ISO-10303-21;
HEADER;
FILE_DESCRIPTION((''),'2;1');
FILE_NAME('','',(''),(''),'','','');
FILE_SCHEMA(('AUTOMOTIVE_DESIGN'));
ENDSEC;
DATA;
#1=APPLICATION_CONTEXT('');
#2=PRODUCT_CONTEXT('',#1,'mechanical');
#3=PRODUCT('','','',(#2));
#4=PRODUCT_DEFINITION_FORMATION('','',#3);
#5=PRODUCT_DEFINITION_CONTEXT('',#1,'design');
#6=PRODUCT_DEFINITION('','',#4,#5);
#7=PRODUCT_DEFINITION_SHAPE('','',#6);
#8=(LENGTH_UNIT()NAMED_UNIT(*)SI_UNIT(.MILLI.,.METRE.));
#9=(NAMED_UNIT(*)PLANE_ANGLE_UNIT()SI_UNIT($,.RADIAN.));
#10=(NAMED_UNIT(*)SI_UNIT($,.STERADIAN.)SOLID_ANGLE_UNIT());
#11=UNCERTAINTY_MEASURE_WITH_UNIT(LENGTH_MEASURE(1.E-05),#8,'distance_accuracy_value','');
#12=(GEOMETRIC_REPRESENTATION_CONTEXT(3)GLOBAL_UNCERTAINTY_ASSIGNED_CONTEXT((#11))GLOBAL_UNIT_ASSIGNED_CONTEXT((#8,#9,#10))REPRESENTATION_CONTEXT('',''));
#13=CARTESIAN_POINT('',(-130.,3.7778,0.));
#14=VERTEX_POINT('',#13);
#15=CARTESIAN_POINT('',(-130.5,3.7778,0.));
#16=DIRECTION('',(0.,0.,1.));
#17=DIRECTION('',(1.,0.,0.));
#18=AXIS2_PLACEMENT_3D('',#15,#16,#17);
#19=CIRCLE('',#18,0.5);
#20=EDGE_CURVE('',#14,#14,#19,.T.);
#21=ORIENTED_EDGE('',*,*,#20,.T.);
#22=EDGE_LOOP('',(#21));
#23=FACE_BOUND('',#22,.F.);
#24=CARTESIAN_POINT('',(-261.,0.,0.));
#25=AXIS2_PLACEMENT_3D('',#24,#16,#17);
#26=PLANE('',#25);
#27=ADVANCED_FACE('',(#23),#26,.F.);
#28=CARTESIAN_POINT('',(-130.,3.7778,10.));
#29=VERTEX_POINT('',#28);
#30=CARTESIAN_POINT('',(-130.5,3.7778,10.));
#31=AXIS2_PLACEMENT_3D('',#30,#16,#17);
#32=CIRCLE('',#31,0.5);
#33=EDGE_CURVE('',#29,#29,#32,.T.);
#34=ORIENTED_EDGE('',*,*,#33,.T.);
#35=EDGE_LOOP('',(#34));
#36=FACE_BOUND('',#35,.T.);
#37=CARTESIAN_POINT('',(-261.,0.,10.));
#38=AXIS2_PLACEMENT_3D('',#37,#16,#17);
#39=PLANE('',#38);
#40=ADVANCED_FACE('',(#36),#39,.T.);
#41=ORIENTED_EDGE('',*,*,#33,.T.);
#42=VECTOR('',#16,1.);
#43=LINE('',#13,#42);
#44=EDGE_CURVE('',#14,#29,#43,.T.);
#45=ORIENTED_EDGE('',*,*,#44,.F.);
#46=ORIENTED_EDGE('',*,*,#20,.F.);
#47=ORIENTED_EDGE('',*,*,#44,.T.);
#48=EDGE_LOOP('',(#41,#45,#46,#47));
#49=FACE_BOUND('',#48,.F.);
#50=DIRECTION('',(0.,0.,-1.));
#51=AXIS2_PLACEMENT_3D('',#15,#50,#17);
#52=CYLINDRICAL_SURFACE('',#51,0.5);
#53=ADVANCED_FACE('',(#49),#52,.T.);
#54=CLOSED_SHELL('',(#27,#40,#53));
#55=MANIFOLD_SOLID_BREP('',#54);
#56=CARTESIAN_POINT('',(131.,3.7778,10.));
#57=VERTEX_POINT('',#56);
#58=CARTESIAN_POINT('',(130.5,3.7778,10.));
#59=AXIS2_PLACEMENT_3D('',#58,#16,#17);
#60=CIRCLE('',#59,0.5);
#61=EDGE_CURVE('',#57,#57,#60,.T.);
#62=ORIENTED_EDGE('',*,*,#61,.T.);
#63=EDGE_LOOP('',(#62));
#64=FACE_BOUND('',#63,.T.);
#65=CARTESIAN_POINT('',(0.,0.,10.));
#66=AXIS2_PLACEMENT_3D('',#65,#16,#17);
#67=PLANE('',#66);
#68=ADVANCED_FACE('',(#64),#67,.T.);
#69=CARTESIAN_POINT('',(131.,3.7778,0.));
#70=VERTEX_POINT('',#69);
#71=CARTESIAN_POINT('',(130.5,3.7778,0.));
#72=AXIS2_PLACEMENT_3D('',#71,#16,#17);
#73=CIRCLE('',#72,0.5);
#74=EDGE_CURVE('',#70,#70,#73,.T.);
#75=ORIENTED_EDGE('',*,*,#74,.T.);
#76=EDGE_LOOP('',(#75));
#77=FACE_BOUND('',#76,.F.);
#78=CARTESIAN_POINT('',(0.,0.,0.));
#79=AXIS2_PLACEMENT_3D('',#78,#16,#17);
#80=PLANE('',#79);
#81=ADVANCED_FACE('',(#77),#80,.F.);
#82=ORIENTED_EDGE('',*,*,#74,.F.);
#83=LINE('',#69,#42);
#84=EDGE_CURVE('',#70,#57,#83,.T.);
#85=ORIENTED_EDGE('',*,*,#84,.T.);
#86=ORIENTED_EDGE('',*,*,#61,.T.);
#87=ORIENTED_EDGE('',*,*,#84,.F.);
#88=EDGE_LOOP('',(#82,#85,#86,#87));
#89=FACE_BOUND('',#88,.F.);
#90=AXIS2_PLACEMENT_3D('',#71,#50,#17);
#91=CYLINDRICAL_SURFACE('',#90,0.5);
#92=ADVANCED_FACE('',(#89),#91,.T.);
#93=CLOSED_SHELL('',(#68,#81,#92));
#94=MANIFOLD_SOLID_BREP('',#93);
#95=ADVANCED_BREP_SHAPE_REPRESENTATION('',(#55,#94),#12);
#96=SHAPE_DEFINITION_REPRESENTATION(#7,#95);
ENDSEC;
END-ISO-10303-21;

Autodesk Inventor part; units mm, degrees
ref_plane "YZ Plane" through (0, 0, 0) normal (1, 0, 0) x (0, 1, 0)
ref_plane "XZ Plane" through (0, 0, 0) normal (0, 1, 0) x (-1, 0, 0)
ref_plane "XY Plane" through (0, 0, 0) normal (0, 0, 1) x (1, 0, 0)
sketch "Sketch1" plane through (0, 0, 0) normal (0, 0, 1) x (1, 0, 0)
  line L0 (-190.5, -10.9695) -> (190.5, -10.9695)
  line L1 (190.5, -10.9695) -> (190.5, 10.9695)
  line L2 (190.5, 10.9695) -> (-190.5, 10.9695)
  line L3 (-190.5, 10.9695) -> (-190.5, -10.9695)
  line L4 (-190.5, -10.9695) -> (190.5, 10.9695) construction
  line L5 (190.5, -10.9695) -> (-190.5, 10.9695) construction
  point P0 (0, 0)
  dimension "d0" = 381
  dimension "d1" = 21.939
sketch "Lamello" plane through (0, 0, 0) normal (0, 0, 1) x (1, 0, 0)
  line L0 (48.383, 141.1858) -> (42.783, 141.1858)
  line L1 (40.583, 139.6858) -> (40.583, 114.6858)
  line L2 (42.783, 113.1858) -> (48.383, 113.1858)
  line L3 (50.583, 114.6858) -> (50.583, 139.6858)
  line L4 (50.583, 139.6858) -> (48.383, 141.1858)
  line L5 (40.583, 139.6858) -> (42.783, 141.1858)
  line L6 (40.583, 114.6858) -> (42.783, 113.1858)
  line L7 (50.583, 114.6858) -> (48.383, 113.1858)
  line L8 (50.583, 127.1858) -> (40.583, 127.1858)
  line L9 (45.583, 141.1858) -> (45.583, 113.1858)
  point P0 (45.583, 127.1858)
  point P1 (50.583, 141.1858)
  point P2 (40.583, 113.1858)
  point P3 (40.583, 141.1858)
  point P4 (50.583, 113.1858)
  dimension "d54" = 10
  dimension "d55" = 28
  dimension "d56" = 1.5
  dimension "d57" = 2.2
  dimension "d58" = 1.5
  dimension "d59" = 2.2
  dimension "d60" = 1.5
  dimension "d61" = 2.2
  dimension "d62" = 1.5
  dimension "d63" = 2.2
sketch "Sketch2" plane through (0, 0, 0) normal (0, 0, 1) x (1, 0, 0)
  circle A0 centre (130.5, 3.7778) radius 0.5
  line L0 (190.5, 10.9695) -> (-190.5, 10.9695) projected
  line L1 (-190.5, -10.9695) -> (190.5, -10.9695) projected
  line L2 (0, -145.0303) -> (0, 106.9697) projected
  line L3 (190.5, -10.9695) -> (190.5, 10.9695) projected
  point P0 (0, 0)
  dimension "d4" = 1
  dimension "d50" = 7.1917
  dimension "d70" = 60
extrude "Extrusion1" add sketch "Sketch2" along normal blind 10 contours A0
pattern_linear "Clamex Array" count 2 spacing 261 along (-1, 0, 0) of "Extrusion1"
sketch "Edge-Side Connection" plane through (0, 0, 0) normal (1, 0, 0) x (0, 1, 0)
  line L0 (-50, 0) -> (50, 0)
  line L1 (50, 0) -> (50, 19)
  line L2 (50, 19) -> (-50, 19)
  line L3 (-50, 19) -> (-50, 0)
  line L4 (-10.9695, 0) -> (-34.0635, -40)
  line L5 (-34.0635, -40) -> (-12.1245, -40)
  line L6 (-12.1245, -40) -> (10.9695, 0)
  line L7 (-2.9208, -14) -> (-2.9208, 14) construction
  line L8 (10.9695, 0) -> (2.0792, 0)
  line L9 (-7.9208, -12.5) -> (-15.62, -8.0549)
  point P0 (0, 0)
  point P1 (10.9695, 0)
  point P2 (0, 0)
  dimension "d26" = 100
  dimension "d27" = 19
  dimension "d28" = 40
  dimension "OtherSideRefYCoordinate" = 8.0487
  dimension "ReferenceCoord" = 13.8903
  dimension "d49" = 120
sketch "Edge-Edge Connection" plane through (0, 0, 0) normal (1, 0, 0) x (0, 1, 0)
  line L0 (-109.0303, 19) -> (10.9697, 19)
  line L1 (10.9697, 19) -> (0, 0)
  line L2 (0, 0) -> (-109.0303, 0)
  line L3 (-109.0303, 0) -> (-109.0303, 19)
  line L4 (10.9697, 19) -> (70.9697, -84.923)
  line L5 (0, 0) -> (54.5152, -94.423)
  line L6 (54.5152, -94.423) -> (70.9697, -84.923)
  line L7 (1.0958, 1.8981) -> (0, 0)
  line L8 (-4.7295, 16.8083) -> (-4.7295, 19)
  point P0 (3.5958, 6.2282)
  dimension "d51" = 19
  dimension "d53" = 19
  dimension "EdgeEdgeReferenceCoord" = 7.1917
  dimension "d65" = 120
  dimension "d66" = 120
  dimension "d67" = 120
  dimension "EdgeEdgeOtherSideRefYCoordinate" = 14.7476
equation "\"d9\" = Step"
equation "\"d27\" = NestleBoardT"
equation "\"d0\" = ContactPatchWidth"
equation "\"d1\" = ContactPatchHeight"
equation "\"ContactPatchWidth\" = 381"
equation "\"ContactPatchHeight\" = 21.939"
equation "\"PlacingWidth\" = 261"
equation "\"MinDistBetween\" = 96"
equation "\"Step\" = 261"
equation "\"Y_Coord\" = 7.19169"
equation "\"NestleBoardT\" = 19"
equation "\"PillarBoardT\" = 19"
equation "\"AngleForYPositionCalc\" = 120deg"
equation "\"ConnectionAngle\" = 120deg"
equation "\"ShiftY\" = 0"
properties part number "Clamex Joint1700"
